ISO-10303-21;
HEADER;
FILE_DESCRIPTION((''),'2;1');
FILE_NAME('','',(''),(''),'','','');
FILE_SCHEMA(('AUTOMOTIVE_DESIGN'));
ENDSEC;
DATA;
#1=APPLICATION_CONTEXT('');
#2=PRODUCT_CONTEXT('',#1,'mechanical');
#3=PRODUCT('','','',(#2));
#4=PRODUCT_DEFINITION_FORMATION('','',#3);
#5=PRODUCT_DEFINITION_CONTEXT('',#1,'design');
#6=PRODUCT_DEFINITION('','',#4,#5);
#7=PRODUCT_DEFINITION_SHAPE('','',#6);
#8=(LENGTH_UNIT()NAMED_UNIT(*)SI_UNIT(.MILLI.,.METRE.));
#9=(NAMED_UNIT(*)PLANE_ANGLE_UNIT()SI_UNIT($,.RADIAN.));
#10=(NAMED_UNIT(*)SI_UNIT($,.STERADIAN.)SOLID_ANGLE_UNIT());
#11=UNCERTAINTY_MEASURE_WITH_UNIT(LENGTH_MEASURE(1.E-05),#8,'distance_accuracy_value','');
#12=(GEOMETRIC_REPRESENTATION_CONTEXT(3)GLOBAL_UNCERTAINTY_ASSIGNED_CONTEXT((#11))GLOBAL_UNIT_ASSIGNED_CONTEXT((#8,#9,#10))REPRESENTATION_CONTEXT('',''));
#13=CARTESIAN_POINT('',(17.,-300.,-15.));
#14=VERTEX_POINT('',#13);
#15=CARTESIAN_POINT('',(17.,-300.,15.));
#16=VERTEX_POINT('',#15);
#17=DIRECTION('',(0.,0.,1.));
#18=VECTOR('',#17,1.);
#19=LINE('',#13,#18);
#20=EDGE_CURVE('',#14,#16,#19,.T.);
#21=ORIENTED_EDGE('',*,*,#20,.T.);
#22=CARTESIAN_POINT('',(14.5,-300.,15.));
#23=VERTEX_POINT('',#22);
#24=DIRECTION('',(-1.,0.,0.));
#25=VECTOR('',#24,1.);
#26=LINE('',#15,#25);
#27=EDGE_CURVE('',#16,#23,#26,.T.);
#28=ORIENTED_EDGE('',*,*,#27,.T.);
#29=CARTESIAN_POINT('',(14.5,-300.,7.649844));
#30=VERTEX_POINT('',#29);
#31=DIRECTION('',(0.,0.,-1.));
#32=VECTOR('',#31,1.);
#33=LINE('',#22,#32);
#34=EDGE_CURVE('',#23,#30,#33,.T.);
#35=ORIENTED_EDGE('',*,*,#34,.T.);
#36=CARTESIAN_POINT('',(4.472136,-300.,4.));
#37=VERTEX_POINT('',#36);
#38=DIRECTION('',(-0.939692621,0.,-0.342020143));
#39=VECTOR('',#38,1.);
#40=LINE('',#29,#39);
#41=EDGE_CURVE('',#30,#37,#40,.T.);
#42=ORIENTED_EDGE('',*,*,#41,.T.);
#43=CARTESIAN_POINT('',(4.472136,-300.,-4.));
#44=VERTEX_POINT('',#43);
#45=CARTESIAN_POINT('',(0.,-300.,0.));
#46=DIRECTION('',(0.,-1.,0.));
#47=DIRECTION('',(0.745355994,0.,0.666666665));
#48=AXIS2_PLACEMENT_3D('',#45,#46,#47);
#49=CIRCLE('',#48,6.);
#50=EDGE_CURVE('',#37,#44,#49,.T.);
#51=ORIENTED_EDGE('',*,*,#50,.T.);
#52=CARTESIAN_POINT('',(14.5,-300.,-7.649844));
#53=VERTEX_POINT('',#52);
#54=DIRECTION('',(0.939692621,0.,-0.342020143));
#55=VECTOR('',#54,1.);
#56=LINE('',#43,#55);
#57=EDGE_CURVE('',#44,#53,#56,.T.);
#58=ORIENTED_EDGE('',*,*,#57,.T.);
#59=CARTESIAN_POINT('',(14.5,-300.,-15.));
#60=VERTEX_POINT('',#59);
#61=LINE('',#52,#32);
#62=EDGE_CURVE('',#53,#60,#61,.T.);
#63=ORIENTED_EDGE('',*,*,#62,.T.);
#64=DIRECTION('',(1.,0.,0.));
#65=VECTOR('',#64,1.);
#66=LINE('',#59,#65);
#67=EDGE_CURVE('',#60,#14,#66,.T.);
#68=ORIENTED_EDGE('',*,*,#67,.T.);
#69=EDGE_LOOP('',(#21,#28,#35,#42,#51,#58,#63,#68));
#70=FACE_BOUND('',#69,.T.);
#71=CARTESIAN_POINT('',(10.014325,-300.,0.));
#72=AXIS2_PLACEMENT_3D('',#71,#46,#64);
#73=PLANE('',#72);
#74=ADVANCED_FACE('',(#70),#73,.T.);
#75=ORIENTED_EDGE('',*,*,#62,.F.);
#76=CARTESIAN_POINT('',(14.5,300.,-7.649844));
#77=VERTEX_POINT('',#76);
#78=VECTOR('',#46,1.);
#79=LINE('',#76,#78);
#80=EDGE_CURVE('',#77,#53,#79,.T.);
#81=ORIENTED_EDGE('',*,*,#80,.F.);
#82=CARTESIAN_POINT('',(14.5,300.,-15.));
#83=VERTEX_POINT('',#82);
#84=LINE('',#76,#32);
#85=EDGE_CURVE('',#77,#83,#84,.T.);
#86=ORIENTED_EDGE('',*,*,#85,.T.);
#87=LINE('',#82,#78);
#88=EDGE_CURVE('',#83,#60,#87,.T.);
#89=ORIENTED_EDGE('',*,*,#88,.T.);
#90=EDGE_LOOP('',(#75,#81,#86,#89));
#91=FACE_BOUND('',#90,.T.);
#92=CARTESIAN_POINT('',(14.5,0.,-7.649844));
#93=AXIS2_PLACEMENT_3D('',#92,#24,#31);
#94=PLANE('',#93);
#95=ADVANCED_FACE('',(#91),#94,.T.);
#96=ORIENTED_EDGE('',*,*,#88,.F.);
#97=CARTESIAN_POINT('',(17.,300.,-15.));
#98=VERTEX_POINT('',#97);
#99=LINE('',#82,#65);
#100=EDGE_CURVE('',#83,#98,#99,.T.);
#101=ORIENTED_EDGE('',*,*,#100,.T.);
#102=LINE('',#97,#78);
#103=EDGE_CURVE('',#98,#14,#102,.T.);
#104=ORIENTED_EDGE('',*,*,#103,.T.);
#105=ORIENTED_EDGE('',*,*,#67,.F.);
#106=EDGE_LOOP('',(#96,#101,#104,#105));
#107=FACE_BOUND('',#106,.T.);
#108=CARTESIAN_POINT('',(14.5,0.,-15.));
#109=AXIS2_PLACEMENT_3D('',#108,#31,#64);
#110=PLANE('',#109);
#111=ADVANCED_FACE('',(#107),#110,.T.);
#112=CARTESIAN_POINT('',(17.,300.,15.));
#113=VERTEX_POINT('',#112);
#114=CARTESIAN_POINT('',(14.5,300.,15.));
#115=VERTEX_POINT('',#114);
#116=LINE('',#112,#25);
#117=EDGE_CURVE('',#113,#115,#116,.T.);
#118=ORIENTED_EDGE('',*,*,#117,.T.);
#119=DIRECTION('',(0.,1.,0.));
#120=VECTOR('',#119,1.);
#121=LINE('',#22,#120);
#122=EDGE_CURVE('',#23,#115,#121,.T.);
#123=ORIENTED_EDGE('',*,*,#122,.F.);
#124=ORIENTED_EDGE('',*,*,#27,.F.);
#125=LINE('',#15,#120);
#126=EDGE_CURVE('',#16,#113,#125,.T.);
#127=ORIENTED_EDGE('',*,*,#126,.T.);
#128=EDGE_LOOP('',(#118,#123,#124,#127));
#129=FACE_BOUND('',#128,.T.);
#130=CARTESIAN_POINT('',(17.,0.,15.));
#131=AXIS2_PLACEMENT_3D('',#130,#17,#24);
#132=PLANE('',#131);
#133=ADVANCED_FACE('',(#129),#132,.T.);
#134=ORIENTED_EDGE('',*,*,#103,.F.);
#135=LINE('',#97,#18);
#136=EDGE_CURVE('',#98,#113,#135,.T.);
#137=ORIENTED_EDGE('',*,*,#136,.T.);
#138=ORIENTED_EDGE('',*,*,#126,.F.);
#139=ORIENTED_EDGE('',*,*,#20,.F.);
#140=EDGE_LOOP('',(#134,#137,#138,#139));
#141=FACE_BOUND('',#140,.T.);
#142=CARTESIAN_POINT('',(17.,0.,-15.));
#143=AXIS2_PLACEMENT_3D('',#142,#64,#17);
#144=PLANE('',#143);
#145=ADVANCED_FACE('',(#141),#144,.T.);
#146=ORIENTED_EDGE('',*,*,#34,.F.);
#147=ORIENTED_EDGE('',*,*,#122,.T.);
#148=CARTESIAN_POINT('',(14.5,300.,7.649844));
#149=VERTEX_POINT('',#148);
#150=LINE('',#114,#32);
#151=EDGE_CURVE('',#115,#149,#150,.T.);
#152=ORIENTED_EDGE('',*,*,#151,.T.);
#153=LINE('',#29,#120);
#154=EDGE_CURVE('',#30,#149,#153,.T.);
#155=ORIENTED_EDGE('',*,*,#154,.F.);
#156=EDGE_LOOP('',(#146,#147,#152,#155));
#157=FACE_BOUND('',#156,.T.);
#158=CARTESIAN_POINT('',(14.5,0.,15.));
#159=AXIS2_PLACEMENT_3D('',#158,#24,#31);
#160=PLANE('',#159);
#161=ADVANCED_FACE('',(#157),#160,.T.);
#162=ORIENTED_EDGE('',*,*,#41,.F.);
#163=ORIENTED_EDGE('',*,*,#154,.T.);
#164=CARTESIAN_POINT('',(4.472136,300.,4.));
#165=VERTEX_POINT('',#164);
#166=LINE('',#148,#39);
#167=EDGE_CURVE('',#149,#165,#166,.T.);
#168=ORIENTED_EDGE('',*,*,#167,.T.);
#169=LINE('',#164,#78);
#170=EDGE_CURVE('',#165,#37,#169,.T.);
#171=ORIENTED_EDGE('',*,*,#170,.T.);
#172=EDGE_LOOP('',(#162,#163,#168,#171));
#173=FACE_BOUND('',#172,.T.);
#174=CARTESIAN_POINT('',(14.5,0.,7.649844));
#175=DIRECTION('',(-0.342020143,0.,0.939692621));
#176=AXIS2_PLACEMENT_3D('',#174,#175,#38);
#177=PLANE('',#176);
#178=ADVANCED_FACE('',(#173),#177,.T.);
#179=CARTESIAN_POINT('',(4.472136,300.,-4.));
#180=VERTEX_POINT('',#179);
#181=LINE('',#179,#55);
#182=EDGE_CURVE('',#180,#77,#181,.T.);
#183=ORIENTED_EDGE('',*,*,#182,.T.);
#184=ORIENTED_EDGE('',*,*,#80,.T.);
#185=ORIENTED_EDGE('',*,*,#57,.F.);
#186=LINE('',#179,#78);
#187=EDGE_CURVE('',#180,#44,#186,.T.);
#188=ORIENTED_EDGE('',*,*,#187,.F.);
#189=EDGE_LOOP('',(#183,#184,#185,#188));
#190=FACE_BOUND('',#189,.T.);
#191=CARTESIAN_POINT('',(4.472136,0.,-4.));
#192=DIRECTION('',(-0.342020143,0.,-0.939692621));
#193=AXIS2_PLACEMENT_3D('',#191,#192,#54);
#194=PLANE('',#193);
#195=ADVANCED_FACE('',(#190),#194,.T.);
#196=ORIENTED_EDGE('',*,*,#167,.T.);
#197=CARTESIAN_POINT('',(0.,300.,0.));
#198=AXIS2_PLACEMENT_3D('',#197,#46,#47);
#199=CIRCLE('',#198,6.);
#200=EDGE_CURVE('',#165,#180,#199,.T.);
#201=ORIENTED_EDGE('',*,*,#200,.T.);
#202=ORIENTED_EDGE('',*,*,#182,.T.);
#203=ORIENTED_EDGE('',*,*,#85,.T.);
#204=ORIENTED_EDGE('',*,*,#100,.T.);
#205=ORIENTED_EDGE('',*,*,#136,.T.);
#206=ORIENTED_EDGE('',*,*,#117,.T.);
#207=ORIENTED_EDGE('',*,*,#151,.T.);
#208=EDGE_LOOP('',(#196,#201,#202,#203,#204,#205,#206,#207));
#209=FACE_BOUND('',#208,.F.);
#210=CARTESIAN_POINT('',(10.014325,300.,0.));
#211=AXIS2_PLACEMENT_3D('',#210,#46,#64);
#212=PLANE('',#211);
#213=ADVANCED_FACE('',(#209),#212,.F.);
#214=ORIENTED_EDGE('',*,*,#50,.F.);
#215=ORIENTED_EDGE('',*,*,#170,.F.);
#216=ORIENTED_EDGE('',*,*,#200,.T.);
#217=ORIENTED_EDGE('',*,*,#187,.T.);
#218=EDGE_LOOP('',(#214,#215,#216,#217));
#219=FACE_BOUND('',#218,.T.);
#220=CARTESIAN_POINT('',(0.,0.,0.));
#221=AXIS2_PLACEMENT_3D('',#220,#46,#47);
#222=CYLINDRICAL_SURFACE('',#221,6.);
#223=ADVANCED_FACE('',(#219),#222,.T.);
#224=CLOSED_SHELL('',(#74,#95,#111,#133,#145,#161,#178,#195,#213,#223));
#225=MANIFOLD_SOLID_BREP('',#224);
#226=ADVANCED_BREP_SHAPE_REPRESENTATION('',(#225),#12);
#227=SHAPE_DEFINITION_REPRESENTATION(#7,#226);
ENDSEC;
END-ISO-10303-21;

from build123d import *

# Parameters (mm, degrees)
F1_DEPTH      = 300
F1_DEPTH_BACK = 300


with BuildPart() as f1:
    # F0 (on Front) → F1 (new body, two sides)
    with BuildSketch(Plane.XZ) as f1_sk:
        with BuildLine():
            Line((14.5, 7.649844), (4.472136, 4))
            ThreePointArc((4.472136, 4), (-6, 0), (4.472136, -4))
            Line((4.472136, -4), (14.5, -7.649844))
            Line((14.5, -7.649844), (14.5, -15))
            Line((14.5, -15), (17, -15))
            Line((17, -15), (17, 15))
            Line((17, 15), (14.5, 15))
            Line((14.5, 15), (14.5, 7.649844))
        make_face()
    extrude(amount=F1_DEPTH)
    extrude(f1_sk.sketch, amount=-F1_DEPTH_BACK)


solid = f1.part
